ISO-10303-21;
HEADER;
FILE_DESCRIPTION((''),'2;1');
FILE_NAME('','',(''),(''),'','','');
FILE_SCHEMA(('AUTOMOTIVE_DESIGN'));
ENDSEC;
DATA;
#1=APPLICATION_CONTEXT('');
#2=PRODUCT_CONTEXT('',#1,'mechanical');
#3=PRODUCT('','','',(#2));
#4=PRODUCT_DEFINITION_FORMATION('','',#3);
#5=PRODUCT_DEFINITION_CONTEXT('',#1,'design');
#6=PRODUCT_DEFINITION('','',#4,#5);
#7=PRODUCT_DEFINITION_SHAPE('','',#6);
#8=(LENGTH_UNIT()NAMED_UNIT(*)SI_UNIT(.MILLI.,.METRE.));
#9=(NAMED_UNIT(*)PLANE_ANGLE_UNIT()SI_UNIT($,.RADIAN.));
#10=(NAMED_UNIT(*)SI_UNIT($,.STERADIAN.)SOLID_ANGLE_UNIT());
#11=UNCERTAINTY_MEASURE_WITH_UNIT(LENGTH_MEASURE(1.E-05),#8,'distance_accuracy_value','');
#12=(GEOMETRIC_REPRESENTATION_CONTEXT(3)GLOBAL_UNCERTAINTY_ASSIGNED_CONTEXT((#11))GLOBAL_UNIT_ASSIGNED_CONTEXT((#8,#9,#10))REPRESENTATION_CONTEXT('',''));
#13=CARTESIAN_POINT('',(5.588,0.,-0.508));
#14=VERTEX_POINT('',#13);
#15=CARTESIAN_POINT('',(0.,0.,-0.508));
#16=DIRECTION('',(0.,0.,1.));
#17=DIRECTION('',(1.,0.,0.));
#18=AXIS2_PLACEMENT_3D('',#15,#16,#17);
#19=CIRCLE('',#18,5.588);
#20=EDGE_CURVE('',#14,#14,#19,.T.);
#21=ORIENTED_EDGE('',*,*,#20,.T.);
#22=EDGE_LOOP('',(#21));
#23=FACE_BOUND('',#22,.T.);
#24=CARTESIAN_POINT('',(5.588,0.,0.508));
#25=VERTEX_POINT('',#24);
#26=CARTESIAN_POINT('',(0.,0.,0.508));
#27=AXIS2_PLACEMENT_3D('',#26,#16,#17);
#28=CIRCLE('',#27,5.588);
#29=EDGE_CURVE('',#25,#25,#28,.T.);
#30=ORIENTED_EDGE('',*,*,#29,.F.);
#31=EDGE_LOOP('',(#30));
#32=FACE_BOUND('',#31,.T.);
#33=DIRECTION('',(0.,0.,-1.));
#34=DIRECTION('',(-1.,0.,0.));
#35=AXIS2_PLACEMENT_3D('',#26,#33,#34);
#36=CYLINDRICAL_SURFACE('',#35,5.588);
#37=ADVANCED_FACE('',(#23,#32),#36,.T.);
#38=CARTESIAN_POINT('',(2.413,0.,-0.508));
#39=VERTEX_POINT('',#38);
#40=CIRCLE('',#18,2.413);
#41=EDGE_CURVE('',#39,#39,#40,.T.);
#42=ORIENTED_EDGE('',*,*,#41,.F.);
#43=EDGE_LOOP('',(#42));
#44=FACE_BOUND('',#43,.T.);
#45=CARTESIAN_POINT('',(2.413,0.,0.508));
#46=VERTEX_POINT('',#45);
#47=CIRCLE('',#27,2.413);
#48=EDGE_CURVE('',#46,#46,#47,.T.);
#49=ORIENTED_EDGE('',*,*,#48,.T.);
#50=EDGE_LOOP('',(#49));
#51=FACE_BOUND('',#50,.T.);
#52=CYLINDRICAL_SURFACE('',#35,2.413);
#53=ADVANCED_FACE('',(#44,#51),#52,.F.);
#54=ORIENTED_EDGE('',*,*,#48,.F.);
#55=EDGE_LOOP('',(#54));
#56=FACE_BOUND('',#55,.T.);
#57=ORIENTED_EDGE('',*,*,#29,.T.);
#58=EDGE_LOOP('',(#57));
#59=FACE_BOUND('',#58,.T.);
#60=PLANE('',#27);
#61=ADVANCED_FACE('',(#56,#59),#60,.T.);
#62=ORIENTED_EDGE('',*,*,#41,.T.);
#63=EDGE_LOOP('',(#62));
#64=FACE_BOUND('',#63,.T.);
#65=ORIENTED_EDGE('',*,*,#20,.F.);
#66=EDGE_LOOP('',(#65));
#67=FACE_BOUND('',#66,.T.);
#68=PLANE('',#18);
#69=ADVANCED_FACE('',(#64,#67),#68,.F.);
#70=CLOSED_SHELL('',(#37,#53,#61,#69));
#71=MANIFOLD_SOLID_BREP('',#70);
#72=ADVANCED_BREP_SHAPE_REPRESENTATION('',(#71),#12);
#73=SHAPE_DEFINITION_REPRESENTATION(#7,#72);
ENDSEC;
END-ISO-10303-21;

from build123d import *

# Parameters (mm, degrees)
BOSS_EXTRUDE1_DEPTH      = 0.508
BOSS_EXTRUDE1_DEPTH_BACK = 0.508
SKETCH3_R                = 5.588
SKETCH3_R_2              = 2.413


with BuildPart() as part:
    # Sketch3 → Boss-Extrude1 (new, two sides: drawn at the far end of the back side and taken through both)
    with BuildSketch(Plane.XY.offset(-BOSS_EXTRUDE1_DEPTH_BACK)):
        Circle(SKETCH3_R)
        Circle(SKETCH3_R_2, mode=Mode.SUBTRACT)
    extrude(amount=BOSS_EXTRUDE1_DEPTH + BOSS_EXTRUDE1_DEPTH_BACK)


solid = part.part
